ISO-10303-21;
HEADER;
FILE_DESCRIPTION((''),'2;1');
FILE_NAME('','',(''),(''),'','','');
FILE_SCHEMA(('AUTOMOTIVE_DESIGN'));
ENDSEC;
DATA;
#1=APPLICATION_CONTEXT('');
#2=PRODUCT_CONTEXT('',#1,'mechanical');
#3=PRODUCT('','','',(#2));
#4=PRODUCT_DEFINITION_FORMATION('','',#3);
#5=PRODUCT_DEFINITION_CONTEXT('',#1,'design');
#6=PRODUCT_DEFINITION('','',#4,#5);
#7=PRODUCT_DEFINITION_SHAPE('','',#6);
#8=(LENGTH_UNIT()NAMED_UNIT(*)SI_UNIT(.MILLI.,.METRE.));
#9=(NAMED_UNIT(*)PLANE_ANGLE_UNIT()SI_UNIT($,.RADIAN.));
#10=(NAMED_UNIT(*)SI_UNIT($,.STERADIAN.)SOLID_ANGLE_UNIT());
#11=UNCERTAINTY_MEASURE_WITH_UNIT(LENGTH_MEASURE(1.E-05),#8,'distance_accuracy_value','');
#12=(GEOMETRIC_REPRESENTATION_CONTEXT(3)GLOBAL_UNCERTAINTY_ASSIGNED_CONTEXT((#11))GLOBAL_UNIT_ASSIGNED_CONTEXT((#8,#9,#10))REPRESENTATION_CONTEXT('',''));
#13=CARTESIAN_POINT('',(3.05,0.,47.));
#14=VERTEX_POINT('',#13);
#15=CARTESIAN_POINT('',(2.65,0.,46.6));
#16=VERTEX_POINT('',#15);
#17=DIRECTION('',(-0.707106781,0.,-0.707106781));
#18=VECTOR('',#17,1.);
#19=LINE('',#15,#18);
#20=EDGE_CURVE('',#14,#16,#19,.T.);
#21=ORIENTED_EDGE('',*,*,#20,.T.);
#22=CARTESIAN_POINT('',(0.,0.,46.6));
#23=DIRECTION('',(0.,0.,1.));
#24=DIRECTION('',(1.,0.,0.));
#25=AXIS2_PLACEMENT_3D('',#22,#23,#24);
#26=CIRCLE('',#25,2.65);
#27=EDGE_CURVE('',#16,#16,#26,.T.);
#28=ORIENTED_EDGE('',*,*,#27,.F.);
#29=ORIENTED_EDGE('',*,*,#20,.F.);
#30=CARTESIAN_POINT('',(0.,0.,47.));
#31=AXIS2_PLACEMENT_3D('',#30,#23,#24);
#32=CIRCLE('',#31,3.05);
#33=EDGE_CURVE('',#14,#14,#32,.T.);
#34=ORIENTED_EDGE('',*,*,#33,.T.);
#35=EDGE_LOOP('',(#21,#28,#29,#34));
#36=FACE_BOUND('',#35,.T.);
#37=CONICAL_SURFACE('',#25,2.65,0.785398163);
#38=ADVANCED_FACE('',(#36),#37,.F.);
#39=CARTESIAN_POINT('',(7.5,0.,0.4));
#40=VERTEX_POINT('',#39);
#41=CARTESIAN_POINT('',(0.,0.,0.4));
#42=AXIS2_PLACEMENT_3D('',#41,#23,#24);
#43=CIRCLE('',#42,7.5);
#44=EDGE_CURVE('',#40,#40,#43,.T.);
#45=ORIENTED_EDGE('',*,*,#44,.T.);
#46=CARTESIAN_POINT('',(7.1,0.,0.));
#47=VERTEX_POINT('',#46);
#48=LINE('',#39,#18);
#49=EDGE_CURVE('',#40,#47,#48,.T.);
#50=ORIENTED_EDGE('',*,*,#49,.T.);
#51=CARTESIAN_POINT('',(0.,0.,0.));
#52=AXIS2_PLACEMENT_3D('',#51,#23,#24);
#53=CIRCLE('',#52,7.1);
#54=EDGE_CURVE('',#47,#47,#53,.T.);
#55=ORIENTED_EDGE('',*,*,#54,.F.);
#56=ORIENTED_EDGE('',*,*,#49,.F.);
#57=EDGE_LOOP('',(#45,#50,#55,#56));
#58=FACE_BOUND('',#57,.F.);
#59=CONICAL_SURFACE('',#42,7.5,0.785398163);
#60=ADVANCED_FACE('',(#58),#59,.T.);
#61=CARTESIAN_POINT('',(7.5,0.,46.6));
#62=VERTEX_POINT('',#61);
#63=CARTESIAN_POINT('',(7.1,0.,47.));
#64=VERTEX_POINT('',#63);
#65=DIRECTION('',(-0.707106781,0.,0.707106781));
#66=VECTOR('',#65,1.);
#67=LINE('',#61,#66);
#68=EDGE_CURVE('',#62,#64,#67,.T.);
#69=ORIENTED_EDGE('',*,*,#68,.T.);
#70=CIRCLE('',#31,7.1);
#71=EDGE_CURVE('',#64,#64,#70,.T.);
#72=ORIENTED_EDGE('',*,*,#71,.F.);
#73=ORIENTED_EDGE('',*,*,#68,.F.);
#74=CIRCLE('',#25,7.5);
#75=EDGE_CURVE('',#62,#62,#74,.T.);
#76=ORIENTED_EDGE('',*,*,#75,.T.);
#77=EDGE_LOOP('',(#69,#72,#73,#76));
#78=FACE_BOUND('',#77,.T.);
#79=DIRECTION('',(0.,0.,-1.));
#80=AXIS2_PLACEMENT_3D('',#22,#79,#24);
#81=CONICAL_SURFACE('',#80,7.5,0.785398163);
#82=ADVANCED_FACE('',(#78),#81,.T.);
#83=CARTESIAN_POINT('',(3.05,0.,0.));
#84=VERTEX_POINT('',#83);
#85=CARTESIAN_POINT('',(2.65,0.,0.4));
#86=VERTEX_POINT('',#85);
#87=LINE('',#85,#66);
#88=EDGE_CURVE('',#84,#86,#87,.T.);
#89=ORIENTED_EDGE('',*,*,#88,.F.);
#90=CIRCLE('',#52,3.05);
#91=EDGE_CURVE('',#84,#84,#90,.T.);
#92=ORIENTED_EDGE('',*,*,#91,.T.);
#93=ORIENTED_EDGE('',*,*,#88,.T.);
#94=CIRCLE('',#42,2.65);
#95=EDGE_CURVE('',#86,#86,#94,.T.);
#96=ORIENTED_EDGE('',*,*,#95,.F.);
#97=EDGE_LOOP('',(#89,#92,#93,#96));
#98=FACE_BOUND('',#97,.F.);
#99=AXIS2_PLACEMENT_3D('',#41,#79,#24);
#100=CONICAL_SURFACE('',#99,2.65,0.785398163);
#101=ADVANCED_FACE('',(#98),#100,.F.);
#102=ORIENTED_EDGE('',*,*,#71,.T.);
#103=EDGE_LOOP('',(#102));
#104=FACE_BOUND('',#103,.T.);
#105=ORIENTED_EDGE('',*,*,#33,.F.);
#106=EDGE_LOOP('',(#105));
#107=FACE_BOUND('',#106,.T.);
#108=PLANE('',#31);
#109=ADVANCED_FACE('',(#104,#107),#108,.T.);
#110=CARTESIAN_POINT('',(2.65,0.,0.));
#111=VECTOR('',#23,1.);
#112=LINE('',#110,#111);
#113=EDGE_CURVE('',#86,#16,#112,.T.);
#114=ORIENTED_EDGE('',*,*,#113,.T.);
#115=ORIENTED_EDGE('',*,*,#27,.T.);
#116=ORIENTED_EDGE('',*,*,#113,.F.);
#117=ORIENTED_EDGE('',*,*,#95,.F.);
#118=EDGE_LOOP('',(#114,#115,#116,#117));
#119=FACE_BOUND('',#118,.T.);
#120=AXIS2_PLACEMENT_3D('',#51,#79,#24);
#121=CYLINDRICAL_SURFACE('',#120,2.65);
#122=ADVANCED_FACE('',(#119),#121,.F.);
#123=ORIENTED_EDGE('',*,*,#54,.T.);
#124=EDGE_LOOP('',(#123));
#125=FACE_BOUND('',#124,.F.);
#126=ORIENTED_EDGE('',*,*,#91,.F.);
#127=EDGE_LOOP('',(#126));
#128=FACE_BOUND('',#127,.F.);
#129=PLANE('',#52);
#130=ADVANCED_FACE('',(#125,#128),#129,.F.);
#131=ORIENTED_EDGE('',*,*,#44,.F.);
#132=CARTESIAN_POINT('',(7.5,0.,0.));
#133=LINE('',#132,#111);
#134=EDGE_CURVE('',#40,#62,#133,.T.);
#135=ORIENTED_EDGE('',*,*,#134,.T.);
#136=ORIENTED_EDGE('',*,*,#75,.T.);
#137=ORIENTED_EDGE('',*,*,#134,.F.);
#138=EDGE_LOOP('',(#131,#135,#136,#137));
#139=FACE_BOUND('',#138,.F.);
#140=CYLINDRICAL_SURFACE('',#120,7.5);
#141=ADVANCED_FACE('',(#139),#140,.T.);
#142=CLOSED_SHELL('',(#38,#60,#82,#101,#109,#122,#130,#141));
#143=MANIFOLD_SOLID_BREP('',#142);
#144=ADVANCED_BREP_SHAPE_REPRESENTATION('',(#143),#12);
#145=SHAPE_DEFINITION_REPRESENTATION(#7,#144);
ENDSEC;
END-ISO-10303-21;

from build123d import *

# Parameters (mm, degrees)
CYLINDER044_R     = 2.65
CYLINDER044_DEPTH = 47
CYLINDER045_R     = 7.5
CYLINDER045_DEPTH = 47
CHAMFER025_SIZE   = 0.4


with BuildPart() as cylinder045:
    # Cylinder044 → Cylinder044 (new body)
    with BuildSketch(Plane.XY):
        Circle(CYLINDER044_R)
    extrude(amount=CYLINDER044_DEPTH)


with BuildPart() as long_rod:
    # Cylinder045 → Cylinder045 (new body)
    with BuildSketch(Plane.XY):
        Circle(CYLINDER045_R)
    extrude(amount=CYLINDER045_DEPTH)

    # Cut031: cut Cylinder045
    add(cylinder045.part, mode=Mode.SUBTRACT)

    # Chamfer025
    chamfer025_edges = [long_rod.edges().sort_by_distance(p)[0] for p in [
        (-7.5, 0, 47),
        (-7.5, 0, 0),
        (-2.65, 0, 47),
        (-2.65, 0, 0),
    ]]
    chamfer(chamfer025_edges, length=CHAMFER025_SIZE)


solid = long_rod.part
